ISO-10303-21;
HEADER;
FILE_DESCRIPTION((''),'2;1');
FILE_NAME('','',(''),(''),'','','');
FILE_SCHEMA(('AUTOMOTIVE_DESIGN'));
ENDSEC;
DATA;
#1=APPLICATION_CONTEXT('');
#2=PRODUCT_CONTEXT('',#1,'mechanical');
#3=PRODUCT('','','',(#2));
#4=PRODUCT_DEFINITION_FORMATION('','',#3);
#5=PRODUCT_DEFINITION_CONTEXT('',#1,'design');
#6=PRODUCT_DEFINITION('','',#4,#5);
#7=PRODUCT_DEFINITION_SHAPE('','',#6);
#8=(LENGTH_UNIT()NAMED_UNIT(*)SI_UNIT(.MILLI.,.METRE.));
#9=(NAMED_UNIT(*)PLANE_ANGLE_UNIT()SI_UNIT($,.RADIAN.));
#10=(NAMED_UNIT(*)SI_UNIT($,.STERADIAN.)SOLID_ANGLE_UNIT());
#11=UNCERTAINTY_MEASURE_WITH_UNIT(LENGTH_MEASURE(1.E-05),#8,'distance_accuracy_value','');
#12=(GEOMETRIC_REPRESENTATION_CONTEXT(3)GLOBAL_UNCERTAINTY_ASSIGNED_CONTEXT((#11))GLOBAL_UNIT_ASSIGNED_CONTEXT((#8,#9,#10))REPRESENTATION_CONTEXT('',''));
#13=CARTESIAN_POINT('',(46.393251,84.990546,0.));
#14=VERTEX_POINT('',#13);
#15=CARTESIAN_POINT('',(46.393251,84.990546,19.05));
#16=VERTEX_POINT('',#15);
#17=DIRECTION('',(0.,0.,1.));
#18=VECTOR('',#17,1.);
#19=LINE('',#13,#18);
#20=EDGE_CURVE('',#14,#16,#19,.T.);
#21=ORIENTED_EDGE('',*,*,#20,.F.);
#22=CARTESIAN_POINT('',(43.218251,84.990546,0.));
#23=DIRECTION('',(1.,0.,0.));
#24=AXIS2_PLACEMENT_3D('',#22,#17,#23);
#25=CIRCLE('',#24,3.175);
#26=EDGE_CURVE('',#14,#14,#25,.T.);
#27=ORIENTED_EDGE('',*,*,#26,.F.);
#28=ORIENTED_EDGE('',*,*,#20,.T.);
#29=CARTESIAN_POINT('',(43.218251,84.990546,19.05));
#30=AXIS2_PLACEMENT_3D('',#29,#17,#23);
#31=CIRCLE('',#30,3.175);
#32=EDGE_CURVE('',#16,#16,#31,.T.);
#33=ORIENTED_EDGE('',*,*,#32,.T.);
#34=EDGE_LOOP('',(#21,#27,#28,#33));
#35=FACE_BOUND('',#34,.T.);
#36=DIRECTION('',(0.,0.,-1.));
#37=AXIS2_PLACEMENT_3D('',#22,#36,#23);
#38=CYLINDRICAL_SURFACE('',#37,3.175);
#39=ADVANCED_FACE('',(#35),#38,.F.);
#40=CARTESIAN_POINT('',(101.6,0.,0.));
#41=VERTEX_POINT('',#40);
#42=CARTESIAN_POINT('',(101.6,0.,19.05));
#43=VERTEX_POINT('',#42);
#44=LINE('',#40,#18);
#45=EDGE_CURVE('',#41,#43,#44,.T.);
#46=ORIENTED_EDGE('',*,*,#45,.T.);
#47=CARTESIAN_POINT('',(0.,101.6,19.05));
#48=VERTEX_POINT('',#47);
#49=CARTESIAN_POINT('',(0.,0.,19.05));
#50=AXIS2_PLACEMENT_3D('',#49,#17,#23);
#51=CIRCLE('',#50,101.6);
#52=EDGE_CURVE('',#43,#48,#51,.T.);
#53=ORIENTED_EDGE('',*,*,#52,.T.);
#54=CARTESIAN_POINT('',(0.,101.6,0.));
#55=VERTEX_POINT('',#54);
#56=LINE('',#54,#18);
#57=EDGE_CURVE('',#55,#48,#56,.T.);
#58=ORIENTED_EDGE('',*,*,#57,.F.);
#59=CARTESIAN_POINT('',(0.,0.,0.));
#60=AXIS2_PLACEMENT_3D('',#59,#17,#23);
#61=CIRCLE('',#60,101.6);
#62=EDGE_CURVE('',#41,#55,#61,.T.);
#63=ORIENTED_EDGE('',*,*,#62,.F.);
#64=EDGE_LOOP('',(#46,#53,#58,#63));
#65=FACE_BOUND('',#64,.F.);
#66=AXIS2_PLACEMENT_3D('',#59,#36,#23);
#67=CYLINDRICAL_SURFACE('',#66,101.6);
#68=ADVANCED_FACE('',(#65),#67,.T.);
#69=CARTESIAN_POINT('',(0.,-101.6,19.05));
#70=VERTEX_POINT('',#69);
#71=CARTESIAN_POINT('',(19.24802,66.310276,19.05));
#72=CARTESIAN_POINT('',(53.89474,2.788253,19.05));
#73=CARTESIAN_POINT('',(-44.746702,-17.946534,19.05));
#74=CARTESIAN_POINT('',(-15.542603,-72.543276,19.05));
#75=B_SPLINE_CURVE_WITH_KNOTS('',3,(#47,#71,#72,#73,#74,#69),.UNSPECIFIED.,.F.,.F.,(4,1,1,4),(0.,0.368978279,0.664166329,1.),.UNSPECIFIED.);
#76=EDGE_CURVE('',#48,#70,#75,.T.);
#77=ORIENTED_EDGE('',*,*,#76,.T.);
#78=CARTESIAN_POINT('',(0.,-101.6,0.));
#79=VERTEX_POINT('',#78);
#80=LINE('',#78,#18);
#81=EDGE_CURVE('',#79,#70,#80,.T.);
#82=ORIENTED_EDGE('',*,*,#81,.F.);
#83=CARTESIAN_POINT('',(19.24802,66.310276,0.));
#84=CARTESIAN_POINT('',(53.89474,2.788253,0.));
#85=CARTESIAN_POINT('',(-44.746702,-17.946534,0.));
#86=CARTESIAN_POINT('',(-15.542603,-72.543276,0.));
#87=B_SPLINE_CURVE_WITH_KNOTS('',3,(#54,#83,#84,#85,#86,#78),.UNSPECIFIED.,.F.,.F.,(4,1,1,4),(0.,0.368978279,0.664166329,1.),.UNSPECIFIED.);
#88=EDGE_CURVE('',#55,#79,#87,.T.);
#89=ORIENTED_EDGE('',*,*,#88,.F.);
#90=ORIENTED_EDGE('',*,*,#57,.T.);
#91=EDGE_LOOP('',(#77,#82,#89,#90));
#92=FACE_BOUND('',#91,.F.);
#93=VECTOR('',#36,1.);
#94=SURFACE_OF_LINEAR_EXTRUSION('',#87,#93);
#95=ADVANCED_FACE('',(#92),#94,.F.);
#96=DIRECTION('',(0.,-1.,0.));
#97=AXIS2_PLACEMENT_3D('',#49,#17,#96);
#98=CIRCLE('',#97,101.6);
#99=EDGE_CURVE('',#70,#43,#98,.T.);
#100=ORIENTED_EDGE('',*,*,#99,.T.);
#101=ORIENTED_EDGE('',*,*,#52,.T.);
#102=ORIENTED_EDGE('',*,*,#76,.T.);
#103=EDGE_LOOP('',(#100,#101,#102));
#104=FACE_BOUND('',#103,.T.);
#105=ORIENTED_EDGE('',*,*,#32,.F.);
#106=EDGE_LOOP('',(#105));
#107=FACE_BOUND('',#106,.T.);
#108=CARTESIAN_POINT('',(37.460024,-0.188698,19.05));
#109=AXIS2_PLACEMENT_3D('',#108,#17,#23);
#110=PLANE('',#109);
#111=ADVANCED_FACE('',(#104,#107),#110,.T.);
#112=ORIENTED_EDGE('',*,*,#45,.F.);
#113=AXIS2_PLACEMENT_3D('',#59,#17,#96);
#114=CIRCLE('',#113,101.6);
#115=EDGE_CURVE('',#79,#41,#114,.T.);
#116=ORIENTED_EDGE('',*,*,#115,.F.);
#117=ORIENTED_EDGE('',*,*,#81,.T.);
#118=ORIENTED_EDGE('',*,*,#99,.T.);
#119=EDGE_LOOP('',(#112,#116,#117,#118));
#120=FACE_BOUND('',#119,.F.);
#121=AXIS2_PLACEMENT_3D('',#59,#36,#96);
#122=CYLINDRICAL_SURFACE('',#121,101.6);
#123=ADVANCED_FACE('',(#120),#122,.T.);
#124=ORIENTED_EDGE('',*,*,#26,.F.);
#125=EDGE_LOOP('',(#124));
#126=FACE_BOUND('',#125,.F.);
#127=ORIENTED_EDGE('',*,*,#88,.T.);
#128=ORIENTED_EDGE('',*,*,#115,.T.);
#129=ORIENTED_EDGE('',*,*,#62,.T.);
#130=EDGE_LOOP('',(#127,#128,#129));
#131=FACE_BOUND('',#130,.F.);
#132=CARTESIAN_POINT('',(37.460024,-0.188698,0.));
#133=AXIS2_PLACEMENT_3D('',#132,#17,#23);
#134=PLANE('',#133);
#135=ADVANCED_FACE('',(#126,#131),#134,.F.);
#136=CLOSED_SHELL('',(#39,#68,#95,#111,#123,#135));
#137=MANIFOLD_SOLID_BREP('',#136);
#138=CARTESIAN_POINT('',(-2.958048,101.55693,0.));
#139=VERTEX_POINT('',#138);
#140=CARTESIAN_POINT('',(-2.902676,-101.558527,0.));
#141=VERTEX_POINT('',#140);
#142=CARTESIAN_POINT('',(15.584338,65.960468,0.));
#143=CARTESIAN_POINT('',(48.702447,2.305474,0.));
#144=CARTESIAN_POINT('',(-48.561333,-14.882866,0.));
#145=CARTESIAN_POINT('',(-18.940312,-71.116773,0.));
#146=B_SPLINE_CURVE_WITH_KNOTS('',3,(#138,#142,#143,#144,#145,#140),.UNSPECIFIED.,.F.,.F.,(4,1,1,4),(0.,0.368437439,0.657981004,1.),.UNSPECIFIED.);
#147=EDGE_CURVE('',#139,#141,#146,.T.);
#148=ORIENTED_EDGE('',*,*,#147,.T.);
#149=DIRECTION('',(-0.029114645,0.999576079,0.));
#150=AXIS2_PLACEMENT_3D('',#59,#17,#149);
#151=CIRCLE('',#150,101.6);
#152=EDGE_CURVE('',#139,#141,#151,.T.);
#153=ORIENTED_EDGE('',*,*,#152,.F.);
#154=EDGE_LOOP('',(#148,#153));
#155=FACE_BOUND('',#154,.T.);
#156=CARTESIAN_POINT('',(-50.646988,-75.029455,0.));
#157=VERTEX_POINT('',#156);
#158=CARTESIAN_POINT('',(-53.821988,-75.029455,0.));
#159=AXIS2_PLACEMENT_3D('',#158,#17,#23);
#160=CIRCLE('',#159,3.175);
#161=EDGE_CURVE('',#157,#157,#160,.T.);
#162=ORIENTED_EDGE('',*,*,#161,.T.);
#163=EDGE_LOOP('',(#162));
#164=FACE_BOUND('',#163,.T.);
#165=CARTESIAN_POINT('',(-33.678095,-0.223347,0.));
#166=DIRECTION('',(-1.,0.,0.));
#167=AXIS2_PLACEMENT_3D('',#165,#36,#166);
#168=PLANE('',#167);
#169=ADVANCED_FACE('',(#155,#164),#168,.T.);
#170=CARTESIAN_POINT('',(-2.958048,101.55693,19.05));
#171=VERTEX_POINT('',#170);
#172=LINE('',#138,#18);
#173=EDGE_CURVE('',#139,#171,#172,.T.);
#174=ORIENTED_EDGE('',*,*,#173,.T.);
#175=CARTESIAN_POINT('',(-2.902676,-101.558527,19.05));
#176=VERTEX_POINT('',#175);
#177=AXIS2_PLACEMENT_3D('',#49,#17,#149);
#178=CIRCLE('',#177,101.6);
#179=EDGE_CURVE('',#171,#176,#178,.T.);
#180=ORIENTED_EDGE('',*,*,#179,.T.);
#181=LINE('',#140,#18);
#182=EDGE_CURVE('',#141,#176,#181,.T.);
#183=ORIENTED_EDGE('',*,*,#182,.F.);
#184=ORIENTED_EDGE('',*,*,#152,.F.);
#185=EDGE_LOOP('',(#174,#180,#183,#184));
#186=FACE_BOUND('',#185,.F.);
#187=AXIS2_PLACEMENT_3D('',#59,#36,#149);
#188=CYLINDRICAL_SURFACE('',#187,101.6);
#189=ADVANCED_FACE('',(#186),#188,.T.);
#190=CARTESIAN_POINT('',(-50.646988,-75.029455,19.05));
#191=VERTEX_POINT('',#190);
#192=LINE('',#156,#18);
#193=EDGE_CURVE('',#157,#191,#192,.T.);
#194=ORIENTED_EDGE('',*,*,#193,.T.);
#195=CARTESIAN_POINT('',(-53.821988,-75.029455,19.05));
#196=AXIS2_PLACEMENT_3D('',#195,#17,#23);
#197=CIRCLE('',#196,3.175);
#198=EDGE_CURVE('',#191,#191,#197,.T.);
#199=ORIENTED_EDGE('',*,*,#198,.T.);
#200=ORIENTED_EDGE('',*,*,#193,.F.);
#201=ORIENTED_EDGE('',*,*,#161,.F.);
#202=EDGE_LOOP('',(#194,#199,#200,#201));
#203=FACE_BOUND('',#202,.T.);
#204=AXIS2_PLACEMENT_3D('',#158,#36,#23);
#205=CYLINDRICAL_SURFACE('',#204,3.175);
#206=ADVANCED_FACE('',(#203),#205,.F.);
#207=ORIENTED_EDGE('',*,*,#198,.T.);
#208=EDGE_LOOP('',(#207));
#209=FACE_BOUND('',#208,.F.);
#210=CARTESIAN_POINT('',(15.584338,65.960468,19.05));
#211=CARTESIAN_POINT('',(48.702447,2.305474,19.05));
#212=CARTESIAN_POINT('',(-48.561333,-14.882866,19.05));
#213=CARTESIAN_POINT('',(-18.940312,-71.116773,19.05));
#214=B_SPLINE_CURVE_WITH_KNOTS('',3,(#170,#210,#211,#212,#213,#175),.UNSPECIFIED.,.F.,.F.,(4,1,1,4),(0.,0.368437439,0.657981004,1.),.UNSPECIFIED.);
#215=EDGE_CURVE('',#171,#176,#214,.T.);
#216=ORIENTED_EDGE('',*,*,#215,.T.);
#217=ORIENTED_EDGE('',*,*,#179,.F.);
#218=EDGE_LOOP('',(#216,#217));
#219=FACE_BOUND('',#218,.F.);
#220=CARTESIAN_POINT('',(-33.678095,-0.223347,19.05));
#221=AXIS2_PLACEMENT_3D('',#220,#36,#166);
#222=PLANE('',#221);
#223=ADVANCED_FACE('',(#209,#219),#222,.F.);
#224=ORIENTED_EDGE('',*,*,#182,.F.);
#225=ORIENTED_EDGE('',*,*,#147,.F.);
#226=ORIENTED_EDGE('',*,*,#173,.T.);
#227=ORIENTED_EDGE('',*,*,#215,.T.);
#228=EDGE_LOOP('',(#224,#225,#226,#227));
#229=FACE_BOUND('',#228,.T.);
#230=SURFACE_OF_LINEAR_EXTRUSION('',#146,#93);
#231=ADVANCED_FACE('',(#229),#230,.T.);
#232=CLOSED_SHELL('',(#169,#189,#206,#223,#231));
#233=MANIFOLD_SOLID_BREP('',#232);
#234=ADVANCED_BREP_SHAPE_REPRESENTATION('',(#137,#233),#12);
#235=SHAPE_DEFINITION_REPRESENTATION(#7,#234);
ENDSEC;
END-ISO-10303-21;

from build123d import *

# Parameters (mm, degrees)
F0_R     = 3.175
F1_DEPTH = 19.05


with BuildPart() as f1:
    # F0 (on Top) → F1 (new body)
    with BuildSketch(Plane.XY):
        with BuildLine():
            add(Edge.make_bspline(
                [(-2.9580479616, 101.5569296122), (15.5843384631, 65.9604681211), (48.7024471051, 2.305474415), (-48.5613333289, -14.8828659922), (-18.9403117953, -71.1167733007), (-2.9026756141, -101.5585273341)],
                knots=[0, 0, 0, 0, 0.3684374392, 0.6579810043, 1, 1, 1, 1], degree=3))
            ThreePointArc((-2.9580479616, 101.5569296122), (-101.5999962246, -0.0276976966), (-2.9026756141, -101.5585273341))
        make_face()
        with Locations((-53.8219884038, -75.0294551253)):
            Circle(F0_R, mode=Mode.SUBTRACT)
    extrude(amount=F1_DEPTH)


with BuildPart() as f1b:
    # F0 (on Top) → F1, piece 2 (new body)
    with BuildSketch(Plane.XY):
        with BuildLine():
            ThreePointArc((0, -101.6), (71.8420489686, -71.8420489686), (101.6, 0))
            ThreePointArc((101.6, 0), (71.8420489686, 71.8420489686), (0, 101.6))
            add(Edge.make_bspline(
                [(0, 101.6), (19.2480204904, 66.3102755707), (53.8947404226, 2.7882526491), (-44.7467021137, -17.9465343866), (-15.5426027285, -72.5432757842), (0, -101.6)],
                knots=[0, 0, 0, 0, 0.3689782792, 0.6641663285, 1, 1, 1, 1], degree=3))
        make_face()
        with Locations((43.2182513177, 84.9905461073)):
            Circle(F0_R, mode=Mode.SUBTRACT)
    extrude(amount=F1_DEPTH)


solid = Compound([f1.part, f1b.part])
